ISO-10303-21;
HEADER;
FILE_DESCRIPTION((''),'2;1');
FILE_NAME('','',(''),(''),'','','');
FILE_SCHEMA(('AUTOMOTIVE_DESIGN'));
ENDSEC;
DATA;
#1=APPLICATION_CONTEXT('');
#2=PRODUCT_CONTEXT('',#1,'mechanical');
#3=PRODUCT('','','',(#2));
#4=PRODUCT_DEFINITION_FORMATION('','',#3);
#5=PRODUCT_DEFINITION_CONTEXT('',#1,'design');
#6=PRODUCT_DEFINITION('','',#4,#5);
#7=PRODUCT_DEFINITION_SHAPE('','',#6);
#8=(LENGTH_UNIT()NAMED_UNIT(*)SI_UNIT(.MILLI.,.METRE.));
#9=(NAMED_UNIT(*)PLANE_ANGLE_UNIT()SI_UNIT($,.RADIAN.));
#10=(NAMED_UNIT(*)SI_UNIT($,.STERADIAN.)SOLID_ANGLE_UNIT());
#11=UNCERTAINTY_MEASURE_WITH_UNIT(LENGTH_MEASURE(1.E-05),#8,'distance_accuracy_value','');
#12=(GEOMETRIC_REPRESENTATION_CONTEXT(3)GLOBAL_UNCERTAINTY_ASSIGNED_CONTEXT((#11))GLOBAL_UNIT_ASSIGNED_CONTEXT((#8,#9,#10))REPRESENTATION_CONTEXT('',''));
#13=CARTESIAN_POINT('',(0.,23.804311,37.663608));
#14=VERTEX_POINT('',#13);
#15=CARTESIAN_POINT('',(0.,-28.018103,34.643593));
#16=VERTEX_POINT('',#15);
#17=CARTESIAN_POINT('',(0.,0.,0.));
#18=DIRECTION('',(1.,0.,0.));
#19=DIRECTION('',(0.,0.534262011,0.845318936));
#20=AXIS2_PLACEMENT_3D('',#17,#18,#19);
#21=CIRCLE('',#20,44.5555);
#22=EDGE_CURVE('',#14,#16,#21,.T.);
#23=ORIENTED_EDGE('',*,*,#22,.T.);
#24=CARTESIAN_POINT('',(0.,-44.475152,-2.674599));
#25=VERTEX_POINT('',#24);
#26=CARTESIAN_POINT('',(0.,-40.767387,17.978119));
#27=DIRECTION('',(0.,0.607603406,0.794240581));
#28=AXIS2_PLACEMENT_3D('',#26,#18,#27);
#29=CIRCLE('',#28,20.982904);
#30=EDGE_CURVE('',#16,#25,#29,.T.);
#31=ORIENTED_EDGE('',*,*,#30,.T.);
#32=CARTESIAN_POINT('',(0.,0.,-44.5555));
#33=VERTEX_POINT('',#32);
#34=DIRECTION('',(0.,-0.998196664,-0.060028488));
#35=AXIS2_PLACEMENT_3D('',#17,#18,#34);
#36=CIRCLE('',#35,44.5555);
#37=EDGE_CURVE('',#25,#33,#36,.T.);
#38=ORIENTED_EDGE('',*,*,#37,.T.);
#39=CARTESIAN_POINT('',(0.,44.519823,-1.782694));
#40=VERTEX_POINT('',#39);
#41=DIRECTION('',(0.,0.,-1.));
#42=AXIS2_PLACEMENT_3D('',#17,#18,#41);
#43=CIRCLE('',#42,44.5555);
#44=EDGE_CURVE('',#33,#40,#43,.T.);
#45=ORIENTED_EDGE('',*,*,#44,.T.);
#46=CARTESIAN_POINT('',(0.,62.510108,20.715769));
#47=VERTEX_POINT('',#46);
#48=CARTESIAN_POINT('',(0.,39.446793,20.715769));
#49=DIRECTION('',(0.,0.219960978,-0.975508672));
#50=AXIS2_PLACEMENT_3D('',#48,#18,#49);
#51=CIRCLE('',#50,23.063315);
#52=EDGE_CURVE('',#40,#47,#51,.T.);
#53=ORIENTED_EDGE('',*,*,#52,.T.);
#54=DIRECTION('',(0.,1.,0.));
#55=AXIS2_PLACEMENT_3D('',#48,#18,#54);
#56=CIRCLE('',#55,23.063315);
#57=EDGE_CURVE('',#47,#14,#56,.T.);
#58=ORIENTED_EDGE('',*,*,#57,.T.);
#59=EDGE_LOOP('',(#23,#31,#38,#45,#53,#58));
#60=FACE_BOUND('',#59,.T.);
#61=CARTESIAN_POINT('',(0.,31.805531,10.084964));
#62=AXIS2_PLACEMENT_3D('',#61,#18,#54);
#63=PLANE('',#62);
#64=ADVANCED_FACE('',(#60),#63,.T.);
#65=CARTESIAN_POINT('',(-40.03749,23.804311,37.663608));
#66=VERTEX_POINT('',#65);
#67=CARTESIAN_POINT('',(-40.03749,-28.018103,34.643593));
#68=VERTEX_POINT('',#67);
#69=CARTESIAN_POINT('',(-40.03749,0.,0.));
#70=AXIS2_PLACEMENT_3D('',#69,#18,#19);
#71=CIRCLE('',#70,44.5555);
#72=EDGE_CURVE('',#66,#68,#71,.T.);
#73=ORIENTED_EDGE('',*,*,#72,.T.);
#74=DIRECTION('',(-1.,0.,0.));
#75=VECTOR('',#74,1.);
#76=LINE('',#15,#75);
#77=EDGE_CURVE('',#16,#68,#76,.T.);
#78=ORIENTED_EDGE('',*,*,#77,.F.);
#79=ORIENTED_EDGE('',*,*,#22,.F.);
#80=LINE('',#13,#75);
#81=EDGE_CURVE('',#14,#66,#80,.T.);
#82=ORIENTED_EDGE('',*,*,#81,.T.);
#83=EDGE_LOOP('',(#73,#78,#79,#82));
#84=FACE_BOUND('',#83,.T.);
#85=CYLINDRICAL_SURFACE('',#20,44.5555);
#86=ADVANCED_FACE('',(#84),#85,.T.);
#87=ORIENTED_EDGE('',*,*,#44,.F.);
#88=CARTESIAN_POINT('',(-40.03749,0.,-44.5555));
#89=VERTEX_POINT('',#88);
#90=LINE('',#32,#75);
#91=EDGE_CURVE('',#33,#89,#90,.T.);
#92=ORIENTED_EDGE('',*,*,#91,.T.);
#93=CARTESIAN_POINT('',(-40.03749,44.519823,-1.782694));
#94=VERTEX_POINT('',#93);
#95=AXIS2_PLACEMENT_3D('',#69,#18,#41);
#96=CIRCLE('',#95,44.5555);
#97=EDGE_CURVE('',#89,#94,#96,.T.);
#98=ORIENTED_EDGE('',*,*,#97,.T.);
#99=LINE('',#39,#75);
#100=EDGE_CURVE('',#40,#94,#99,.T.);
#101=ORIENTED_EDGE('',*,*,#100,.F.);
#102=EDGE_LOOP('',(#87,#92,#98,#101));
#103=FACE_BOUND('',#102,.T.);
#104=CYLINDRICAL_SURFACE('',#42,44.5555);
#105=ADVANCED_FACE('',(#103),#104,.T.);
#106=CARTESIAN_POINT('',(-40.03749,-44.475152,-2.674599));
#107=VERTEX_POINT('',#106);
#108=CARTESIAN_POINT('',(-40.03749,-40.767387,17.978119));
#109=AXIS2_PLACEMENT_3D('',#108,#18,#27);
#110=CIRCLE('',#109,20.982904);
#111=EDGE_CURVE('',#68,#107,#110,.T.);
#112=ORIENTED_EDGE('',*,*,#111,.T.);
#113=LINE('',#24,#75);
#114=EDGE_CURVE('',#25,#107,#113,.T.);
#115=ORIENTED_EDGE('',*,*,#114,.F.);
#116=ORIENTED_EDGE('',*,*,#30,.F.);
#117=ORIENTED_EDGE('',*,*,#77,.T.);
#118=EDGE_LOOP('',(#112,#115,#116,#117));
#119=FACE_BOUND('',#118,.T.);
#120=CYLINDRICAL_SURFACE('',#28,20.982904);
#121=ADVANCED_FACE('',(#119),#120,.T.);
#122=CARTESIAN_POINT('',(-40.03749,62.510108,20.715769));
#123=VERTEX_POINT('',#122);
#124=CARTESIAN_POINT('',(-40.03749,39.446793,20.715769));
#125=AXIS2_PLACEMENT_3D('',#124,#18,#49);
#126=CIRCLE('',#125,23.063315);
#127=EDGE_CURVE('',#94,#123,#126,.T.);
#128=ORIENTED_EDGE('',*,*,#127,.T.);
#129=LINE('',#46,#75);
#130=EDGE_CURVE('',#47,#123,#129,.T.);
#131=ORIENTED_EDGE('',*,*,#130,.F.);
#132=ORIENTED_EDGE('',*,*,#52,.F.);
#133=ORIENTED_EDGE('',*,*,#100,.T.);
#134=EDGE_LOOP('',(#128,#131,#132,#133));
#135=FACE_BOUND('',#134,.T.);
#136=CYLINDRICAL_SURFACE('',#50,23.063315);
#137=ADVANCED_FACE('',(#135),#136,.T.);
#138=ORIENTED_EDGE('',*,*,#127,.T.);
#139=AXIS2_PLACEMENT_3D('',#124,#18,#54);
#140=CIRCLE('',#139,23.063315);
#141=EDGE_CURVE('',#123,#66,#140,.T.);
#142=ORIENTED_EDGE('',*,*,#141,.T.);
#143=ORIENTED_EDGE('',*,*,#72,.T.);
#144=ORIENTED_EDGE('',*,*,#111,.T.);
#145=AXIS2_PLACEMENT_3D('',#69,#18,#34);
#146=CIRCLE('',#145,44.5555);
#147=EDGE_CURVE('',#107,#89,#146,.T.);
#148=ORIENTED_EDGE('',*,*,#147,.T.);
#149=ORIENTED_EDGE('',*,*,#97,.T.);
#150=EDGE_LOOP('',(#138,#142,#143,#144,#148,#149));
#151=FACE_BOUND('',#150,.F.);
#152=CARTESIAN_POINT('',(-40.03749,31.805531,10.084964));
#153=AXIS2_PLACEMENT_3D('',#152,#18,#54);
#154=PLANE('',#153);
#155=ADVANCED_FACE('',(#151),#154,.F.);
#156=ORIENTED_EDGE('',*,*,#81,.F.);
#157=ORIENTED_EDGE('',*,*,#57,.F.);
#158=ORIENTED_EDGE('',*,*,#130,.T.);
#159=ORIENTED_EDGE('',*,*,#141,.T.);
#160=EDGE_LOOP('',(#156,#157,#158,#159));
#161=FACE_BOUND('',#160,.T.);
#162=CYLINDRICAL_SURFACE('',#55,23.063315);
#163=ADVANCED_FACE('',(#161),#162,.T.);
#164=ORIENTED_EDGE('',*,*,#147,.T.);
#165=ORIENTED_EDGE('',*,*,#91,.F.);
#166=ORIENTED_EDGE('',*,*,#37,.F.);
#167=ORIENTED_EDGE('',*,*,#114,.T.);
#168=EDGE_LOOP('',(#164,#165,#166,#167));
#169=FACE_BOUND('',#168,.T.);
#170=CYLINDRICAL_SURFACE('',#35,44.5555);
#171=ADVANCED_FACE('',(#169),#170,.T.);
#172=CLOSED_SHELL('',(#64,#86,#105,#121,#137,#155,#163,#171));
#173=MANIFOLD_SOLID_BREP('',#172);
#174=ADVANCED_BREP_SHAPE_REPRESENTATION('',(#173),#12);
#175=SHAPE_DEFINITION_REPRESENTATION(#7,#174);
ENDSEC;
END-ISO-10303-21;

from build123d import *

# Parameters (mm, degrees)
F1_DEPTH = 40.03749


with BuildPart() as f1:
    # F0 (on Right) → F1 (new body)
    with BuildSketch(Plane.YZ):
        with BuildLine():
            ThreePointArc((44.5198227701, -1.7826942255), (44.5465801188, -0.8915256021), (44.5555004257, 0))
            ThreePointArc((44.5555004257, 0), (43.3760301156, 10.1839397872), (39.9000649082, 19.8287023908))
            Line((39.9000649082, 19.8287023908), (16.4275774694, 19.2902224238))
            ThreePointArc((16.4275774694, 19.2902224238), (25.6072357444, 2.2662942698), (44.5198227701, -1.7826942255))
        make_face()
        with BuildLine():
            ThreePointArc((39.9000649082, 19.8287023908), (43.3760301156, 10.1839397872), (44.5555004257, 0))
            ThreePointArc((44.5555004257, 0), (44.5465801188, -0.8915256021), (44.5198227701, -1.7826942255))
            ThreePointArc((44.5198227701, -1.7826942255), (57.4595301276, 6.3123736108), (62.5101083198, 20.7157693803))
            ThreePointArc((62.5101083198, 20.7157693803), (48.6974420854, 41.8425767898), (23.8043112787, 37.6636082011))
            ThreePointArc((23.8043112787, 37.6636082011), (33.0769232647, 29.8514616983), (39.9000649082, 19.8287023908))
        make_face()
        with BuildLine():
            Line((16.4275774694, 19.2902224238), (39.9000649082, 19.8287023908))
            ThreePointArc((39.9000649082, 19.8287023908), (33.0769232647, 29.8514616983), (23.8043112787, 37.6636082011))
            ThreePointArc((23.8043112787, 37.6636082011), (18.0440587641, 29.3087570216), (16.4275774694, 19.2902224238))
        make_face()
        with BuildLine():
            ThreePointArc((0, -44.5555004257), (30.8687850819, -32.1295926795), (44.5198227701, -1.7826942255))
            ThreePointArc((44.5198227701, -1.7826942255), (25.6072357444, 2.2662942698), (16.4275774694, 19.2902224238))
            Line((16.4275774694, 19.2902224238), (0, 18.9133590259))
            Line((0, 18.9133590259), (0, -44.5555004257))
        make_face()
        with BuildLine():
            ThreePointArc((16.4275774694, 19.2902224238), (18.0440587641, 29.3087570216), (23.8043112787, 37.6636082011))
            ThreePointArc((23.8043112787, 37.6636082011), (-2.5921293007, 44.4800346658), (-28.0181032693, 34.6435925876))
            ThreePointArc((-28.0181032693, 34.6435925876), (-22.0629919245, 27.4874750802), (-19.7900024173, 18.4593585764))
            Line((-19.7900024173, 18.4593585764), (0, 18.9133590259))
            Line((0, 18.9133590259), (16.4275774694, 19.2902224238))
        make_face()
        with BuildLine():
            ThreePointArc((-44.4751519011, -2.6745993272), (-30.5452492764, -32.4373298041), (0, -44.5555004257))
            Line((0, -44.5555004257), (0, 18.9133590259))
            Line((0, 18.9133590259), (-19.7900024173, 18.4593585764))
            ThreePointArc((-19.7900024173, 18.4593585764), (-19.7858629772, 18.2187543647), (-19.7844831034, 17.9781185038))
            ThreePointArc((-19.7844831034, 17.9781185038), (-27.304798405, 1.8833687428), (-44.4751519011, -2.6745993272))
        make_face()
        with BuildLine():
            ThreePointArc((-19.7900024173, 18.4593585764), (-22.0629919245, 27.4874750802), (-28.0181032693, 34.6435925876))
            ThreePointArc((-28.0181032693, 34.6435925876), (-35.3877865562, 27.0720738186), (-40.7673873733, 17.9781185038))
            Line((-40.7673873733, 17.9781185038), (-19.7900024173, 18.4593585764))
        make_face()
        with BuildLine():
            ThreePointArc((-40.7673873733, 17.9781185038), (-35.3877865562, 27.0720738186), (-28.0181032693, 34.6435925876))
            ThreePointArc((-28.0181032693, 34.6435925876), (-59.9663230472, 26.444708171), (-44.4751519011, -2.6745993272))
            ThreePointArc((-44.4751519011, -2.6745993272), (-43.8543762233, 7.8731381447), (-40.7673873733, 17.9781185038))
        make_face()
        with BuildLine():
            ThreePointArc((-40.7673873733, 17.9781185038), (-43.8543762233, 7.8731381447), (-44.4751519011, -2.6745993272))
            ThreePointArc((-44.4751519011, -2.6745993272), (-27.304798405, 1.8833687428), (-19.7844831034, 17.9781185038))
            ThreePointArc((-19.7844831034, 17.9781185038), (-19.7858629772, 18.2187543647), (-19.7900024173, 18.4593585764))
            Line((-19.7900024173, 18.4593585764), (-40.7673873733, 17.9781185038))
        make_face()
    extrude(amount=-F1_DEPTH)


solid = f1.part
